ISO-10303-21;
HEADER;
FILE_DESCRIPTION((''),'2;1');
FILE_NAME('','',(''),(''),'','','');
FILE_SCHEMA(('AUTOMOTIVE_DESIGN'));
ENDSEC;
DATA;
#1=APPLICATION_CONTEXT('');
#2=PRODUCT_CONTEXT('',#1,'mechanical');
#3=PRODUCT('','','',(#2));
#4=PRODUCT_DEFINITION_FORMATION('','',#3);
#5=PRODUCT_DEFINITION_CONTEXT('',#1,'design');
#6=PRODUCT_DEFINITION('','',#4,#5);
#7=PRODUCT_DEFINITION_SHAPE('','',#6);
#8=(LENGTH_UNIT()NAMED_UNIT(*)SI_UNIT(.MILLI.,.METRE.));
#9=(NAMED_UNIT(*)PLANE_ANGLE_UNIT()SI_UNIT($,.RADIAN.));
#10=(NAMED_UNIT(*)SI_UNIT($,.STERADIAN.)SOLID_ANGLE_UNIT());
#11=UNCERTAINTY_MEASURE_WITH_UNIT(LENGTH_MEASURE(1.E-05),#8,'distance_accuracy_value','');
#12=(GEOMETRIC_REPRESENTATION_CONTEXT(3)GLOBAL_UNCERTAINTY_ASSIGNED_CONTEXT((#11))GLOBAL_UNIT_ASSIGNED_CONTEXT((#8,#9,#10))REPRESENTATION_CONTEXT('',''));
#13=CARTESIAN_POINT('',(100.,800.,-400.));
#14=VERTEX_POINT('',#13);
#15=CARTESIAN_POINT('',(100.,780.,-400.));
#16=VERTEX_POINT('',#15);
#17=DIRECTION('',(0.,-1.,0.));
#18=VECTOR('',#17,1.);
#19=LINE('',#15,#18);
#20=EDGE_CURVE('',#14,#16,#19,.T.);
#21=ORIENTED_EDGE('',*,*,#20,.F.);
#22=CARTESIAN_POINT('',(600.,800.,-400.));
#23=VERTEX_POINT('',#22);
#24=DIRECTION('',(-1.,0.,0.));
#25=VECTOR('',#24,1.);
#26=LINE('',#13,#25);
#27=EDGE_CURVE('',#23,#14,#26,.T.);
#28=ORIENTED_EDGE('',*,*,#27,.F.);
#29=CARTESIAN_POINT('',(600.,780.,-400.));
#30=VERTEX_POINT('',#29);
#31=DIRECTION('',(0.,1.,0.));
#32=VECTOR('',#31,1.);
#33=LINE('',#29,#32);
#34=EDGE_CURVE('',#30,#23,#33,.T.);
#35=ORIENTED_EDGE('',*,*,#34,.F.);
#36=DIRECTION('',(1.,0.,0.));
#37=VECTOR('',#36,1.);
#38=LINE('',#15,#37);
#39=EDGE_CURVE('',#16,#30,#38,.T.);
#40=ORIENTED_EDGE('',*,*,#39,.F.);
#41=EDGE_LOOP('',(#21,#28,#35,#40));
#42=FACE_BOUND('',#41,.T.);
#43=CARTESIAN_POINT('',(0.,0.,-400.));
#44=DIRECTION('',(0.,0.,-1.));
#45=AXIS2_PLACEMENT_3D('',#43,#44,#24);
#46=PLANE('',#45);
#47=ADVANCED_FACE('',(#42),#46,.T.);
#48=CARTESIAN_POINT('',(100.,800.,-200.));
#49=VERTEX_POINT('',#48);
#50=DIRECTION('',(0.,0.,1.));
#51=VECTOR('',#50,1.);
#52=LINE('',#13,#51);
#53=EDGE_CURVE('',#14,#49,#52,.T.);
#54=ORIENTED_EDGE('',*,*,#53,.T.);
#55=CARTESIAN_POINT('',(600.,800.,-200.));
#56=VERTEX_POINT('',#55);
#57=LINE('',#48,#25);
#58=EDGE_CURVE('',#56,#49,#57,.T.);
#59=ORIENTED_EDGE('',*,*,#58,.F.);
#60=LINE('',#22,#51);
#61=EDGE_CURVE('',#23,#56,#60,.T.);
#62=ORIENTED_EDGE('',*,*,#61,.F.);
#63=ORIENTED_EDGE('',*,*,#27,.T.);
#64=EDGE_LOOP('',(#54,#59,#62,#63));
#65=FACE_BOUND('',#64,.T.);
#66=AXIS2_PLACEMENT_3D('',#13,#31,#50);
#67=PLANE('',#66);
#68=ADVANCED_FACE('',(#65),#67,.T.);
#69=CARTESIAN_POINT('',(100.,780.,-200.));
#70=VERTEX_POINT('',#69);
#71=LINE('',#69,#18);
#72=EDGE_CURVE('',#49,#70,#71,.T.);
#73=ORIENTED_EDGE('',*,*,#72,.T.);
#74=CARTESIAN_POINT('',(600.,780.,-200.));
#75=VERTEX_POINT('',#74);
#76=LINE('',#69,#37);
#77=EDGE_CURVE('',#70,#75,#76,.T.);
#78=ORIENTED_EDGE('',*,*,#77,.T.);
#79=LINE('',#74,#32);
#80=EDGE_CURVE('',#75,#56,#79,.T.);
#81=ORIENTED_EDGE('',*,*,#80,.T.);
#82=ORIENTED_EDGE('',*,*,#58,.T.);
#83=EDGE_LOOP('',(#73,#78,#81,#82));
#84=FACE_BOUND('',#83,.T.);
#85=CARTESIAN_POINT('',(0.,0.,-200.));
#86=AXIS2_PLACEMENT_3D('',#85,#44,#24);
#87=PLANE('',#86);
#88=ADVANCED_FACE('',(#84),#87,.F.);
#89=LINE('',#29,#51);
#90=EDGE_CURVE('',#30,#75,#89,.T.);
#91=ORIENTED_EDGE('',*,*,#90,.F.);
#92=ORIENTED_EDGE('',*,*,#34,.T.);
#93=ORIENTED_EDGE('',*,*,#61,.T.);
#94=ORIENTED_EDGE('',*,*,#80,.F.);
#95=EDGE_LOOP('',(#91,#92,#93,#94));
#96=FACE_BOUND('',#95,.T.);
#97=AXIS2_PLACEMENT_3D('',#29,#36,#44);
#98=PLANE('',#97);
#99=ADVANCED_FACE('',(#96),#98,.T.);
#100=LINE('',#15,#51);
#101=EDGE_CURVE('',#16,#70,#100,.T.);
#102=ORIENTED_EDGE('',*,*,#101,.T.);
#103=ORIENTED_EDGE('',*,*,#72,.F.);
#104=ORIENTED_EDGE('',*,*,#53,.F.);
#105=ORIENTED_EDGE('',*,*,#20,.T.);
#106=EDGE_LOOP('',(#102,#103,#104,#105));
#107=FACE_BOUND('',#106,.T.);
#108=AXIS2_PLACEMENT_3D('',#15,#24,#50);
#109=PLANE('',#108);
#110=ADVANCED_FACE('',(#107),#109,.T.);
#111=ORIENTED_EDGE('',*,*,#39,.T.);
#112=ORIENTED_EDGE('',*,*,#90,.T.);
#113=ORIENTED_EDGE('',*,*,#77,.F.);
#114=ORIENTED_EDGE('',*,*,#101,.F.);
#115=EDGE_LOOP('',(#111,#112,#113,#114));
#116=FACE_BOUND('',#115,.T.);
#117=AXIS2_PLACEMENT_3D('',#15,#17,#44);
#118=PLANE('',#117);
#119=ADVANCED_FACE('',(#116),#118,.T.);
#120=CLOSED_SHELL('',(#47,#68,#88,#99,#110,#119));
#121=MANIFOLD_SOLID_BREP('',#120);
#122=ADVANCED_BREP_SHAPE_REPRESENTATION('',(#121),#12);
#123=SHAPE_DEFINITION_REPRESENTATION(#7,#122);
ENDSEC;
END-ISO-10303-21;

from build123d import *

# Parameters (mm, degrees)
OVEN_KESME_UST_TRAVERS_1_START = -200
SKETCH1_W                      = 500
SKETCH1_H                      = 20
OVEN_KESME_UST_TRAVERS_1_DEPTH = 200


with BuildPart() as part:
    # Sketch1 → OVEN_kesme_ust_travers_1 (new body)
    with BuildSketch(Plane.XY.offset(OVEN_KESME_UST_TRAVERS_1_START)):
        with Locations((350, 790)):
            Rectangle(SKETCH1_W, SKETCH1_H)
    extrude(amount=-OVEN_KESME_UST_TRAVERS_1_DEPTH)


solid = part.part
